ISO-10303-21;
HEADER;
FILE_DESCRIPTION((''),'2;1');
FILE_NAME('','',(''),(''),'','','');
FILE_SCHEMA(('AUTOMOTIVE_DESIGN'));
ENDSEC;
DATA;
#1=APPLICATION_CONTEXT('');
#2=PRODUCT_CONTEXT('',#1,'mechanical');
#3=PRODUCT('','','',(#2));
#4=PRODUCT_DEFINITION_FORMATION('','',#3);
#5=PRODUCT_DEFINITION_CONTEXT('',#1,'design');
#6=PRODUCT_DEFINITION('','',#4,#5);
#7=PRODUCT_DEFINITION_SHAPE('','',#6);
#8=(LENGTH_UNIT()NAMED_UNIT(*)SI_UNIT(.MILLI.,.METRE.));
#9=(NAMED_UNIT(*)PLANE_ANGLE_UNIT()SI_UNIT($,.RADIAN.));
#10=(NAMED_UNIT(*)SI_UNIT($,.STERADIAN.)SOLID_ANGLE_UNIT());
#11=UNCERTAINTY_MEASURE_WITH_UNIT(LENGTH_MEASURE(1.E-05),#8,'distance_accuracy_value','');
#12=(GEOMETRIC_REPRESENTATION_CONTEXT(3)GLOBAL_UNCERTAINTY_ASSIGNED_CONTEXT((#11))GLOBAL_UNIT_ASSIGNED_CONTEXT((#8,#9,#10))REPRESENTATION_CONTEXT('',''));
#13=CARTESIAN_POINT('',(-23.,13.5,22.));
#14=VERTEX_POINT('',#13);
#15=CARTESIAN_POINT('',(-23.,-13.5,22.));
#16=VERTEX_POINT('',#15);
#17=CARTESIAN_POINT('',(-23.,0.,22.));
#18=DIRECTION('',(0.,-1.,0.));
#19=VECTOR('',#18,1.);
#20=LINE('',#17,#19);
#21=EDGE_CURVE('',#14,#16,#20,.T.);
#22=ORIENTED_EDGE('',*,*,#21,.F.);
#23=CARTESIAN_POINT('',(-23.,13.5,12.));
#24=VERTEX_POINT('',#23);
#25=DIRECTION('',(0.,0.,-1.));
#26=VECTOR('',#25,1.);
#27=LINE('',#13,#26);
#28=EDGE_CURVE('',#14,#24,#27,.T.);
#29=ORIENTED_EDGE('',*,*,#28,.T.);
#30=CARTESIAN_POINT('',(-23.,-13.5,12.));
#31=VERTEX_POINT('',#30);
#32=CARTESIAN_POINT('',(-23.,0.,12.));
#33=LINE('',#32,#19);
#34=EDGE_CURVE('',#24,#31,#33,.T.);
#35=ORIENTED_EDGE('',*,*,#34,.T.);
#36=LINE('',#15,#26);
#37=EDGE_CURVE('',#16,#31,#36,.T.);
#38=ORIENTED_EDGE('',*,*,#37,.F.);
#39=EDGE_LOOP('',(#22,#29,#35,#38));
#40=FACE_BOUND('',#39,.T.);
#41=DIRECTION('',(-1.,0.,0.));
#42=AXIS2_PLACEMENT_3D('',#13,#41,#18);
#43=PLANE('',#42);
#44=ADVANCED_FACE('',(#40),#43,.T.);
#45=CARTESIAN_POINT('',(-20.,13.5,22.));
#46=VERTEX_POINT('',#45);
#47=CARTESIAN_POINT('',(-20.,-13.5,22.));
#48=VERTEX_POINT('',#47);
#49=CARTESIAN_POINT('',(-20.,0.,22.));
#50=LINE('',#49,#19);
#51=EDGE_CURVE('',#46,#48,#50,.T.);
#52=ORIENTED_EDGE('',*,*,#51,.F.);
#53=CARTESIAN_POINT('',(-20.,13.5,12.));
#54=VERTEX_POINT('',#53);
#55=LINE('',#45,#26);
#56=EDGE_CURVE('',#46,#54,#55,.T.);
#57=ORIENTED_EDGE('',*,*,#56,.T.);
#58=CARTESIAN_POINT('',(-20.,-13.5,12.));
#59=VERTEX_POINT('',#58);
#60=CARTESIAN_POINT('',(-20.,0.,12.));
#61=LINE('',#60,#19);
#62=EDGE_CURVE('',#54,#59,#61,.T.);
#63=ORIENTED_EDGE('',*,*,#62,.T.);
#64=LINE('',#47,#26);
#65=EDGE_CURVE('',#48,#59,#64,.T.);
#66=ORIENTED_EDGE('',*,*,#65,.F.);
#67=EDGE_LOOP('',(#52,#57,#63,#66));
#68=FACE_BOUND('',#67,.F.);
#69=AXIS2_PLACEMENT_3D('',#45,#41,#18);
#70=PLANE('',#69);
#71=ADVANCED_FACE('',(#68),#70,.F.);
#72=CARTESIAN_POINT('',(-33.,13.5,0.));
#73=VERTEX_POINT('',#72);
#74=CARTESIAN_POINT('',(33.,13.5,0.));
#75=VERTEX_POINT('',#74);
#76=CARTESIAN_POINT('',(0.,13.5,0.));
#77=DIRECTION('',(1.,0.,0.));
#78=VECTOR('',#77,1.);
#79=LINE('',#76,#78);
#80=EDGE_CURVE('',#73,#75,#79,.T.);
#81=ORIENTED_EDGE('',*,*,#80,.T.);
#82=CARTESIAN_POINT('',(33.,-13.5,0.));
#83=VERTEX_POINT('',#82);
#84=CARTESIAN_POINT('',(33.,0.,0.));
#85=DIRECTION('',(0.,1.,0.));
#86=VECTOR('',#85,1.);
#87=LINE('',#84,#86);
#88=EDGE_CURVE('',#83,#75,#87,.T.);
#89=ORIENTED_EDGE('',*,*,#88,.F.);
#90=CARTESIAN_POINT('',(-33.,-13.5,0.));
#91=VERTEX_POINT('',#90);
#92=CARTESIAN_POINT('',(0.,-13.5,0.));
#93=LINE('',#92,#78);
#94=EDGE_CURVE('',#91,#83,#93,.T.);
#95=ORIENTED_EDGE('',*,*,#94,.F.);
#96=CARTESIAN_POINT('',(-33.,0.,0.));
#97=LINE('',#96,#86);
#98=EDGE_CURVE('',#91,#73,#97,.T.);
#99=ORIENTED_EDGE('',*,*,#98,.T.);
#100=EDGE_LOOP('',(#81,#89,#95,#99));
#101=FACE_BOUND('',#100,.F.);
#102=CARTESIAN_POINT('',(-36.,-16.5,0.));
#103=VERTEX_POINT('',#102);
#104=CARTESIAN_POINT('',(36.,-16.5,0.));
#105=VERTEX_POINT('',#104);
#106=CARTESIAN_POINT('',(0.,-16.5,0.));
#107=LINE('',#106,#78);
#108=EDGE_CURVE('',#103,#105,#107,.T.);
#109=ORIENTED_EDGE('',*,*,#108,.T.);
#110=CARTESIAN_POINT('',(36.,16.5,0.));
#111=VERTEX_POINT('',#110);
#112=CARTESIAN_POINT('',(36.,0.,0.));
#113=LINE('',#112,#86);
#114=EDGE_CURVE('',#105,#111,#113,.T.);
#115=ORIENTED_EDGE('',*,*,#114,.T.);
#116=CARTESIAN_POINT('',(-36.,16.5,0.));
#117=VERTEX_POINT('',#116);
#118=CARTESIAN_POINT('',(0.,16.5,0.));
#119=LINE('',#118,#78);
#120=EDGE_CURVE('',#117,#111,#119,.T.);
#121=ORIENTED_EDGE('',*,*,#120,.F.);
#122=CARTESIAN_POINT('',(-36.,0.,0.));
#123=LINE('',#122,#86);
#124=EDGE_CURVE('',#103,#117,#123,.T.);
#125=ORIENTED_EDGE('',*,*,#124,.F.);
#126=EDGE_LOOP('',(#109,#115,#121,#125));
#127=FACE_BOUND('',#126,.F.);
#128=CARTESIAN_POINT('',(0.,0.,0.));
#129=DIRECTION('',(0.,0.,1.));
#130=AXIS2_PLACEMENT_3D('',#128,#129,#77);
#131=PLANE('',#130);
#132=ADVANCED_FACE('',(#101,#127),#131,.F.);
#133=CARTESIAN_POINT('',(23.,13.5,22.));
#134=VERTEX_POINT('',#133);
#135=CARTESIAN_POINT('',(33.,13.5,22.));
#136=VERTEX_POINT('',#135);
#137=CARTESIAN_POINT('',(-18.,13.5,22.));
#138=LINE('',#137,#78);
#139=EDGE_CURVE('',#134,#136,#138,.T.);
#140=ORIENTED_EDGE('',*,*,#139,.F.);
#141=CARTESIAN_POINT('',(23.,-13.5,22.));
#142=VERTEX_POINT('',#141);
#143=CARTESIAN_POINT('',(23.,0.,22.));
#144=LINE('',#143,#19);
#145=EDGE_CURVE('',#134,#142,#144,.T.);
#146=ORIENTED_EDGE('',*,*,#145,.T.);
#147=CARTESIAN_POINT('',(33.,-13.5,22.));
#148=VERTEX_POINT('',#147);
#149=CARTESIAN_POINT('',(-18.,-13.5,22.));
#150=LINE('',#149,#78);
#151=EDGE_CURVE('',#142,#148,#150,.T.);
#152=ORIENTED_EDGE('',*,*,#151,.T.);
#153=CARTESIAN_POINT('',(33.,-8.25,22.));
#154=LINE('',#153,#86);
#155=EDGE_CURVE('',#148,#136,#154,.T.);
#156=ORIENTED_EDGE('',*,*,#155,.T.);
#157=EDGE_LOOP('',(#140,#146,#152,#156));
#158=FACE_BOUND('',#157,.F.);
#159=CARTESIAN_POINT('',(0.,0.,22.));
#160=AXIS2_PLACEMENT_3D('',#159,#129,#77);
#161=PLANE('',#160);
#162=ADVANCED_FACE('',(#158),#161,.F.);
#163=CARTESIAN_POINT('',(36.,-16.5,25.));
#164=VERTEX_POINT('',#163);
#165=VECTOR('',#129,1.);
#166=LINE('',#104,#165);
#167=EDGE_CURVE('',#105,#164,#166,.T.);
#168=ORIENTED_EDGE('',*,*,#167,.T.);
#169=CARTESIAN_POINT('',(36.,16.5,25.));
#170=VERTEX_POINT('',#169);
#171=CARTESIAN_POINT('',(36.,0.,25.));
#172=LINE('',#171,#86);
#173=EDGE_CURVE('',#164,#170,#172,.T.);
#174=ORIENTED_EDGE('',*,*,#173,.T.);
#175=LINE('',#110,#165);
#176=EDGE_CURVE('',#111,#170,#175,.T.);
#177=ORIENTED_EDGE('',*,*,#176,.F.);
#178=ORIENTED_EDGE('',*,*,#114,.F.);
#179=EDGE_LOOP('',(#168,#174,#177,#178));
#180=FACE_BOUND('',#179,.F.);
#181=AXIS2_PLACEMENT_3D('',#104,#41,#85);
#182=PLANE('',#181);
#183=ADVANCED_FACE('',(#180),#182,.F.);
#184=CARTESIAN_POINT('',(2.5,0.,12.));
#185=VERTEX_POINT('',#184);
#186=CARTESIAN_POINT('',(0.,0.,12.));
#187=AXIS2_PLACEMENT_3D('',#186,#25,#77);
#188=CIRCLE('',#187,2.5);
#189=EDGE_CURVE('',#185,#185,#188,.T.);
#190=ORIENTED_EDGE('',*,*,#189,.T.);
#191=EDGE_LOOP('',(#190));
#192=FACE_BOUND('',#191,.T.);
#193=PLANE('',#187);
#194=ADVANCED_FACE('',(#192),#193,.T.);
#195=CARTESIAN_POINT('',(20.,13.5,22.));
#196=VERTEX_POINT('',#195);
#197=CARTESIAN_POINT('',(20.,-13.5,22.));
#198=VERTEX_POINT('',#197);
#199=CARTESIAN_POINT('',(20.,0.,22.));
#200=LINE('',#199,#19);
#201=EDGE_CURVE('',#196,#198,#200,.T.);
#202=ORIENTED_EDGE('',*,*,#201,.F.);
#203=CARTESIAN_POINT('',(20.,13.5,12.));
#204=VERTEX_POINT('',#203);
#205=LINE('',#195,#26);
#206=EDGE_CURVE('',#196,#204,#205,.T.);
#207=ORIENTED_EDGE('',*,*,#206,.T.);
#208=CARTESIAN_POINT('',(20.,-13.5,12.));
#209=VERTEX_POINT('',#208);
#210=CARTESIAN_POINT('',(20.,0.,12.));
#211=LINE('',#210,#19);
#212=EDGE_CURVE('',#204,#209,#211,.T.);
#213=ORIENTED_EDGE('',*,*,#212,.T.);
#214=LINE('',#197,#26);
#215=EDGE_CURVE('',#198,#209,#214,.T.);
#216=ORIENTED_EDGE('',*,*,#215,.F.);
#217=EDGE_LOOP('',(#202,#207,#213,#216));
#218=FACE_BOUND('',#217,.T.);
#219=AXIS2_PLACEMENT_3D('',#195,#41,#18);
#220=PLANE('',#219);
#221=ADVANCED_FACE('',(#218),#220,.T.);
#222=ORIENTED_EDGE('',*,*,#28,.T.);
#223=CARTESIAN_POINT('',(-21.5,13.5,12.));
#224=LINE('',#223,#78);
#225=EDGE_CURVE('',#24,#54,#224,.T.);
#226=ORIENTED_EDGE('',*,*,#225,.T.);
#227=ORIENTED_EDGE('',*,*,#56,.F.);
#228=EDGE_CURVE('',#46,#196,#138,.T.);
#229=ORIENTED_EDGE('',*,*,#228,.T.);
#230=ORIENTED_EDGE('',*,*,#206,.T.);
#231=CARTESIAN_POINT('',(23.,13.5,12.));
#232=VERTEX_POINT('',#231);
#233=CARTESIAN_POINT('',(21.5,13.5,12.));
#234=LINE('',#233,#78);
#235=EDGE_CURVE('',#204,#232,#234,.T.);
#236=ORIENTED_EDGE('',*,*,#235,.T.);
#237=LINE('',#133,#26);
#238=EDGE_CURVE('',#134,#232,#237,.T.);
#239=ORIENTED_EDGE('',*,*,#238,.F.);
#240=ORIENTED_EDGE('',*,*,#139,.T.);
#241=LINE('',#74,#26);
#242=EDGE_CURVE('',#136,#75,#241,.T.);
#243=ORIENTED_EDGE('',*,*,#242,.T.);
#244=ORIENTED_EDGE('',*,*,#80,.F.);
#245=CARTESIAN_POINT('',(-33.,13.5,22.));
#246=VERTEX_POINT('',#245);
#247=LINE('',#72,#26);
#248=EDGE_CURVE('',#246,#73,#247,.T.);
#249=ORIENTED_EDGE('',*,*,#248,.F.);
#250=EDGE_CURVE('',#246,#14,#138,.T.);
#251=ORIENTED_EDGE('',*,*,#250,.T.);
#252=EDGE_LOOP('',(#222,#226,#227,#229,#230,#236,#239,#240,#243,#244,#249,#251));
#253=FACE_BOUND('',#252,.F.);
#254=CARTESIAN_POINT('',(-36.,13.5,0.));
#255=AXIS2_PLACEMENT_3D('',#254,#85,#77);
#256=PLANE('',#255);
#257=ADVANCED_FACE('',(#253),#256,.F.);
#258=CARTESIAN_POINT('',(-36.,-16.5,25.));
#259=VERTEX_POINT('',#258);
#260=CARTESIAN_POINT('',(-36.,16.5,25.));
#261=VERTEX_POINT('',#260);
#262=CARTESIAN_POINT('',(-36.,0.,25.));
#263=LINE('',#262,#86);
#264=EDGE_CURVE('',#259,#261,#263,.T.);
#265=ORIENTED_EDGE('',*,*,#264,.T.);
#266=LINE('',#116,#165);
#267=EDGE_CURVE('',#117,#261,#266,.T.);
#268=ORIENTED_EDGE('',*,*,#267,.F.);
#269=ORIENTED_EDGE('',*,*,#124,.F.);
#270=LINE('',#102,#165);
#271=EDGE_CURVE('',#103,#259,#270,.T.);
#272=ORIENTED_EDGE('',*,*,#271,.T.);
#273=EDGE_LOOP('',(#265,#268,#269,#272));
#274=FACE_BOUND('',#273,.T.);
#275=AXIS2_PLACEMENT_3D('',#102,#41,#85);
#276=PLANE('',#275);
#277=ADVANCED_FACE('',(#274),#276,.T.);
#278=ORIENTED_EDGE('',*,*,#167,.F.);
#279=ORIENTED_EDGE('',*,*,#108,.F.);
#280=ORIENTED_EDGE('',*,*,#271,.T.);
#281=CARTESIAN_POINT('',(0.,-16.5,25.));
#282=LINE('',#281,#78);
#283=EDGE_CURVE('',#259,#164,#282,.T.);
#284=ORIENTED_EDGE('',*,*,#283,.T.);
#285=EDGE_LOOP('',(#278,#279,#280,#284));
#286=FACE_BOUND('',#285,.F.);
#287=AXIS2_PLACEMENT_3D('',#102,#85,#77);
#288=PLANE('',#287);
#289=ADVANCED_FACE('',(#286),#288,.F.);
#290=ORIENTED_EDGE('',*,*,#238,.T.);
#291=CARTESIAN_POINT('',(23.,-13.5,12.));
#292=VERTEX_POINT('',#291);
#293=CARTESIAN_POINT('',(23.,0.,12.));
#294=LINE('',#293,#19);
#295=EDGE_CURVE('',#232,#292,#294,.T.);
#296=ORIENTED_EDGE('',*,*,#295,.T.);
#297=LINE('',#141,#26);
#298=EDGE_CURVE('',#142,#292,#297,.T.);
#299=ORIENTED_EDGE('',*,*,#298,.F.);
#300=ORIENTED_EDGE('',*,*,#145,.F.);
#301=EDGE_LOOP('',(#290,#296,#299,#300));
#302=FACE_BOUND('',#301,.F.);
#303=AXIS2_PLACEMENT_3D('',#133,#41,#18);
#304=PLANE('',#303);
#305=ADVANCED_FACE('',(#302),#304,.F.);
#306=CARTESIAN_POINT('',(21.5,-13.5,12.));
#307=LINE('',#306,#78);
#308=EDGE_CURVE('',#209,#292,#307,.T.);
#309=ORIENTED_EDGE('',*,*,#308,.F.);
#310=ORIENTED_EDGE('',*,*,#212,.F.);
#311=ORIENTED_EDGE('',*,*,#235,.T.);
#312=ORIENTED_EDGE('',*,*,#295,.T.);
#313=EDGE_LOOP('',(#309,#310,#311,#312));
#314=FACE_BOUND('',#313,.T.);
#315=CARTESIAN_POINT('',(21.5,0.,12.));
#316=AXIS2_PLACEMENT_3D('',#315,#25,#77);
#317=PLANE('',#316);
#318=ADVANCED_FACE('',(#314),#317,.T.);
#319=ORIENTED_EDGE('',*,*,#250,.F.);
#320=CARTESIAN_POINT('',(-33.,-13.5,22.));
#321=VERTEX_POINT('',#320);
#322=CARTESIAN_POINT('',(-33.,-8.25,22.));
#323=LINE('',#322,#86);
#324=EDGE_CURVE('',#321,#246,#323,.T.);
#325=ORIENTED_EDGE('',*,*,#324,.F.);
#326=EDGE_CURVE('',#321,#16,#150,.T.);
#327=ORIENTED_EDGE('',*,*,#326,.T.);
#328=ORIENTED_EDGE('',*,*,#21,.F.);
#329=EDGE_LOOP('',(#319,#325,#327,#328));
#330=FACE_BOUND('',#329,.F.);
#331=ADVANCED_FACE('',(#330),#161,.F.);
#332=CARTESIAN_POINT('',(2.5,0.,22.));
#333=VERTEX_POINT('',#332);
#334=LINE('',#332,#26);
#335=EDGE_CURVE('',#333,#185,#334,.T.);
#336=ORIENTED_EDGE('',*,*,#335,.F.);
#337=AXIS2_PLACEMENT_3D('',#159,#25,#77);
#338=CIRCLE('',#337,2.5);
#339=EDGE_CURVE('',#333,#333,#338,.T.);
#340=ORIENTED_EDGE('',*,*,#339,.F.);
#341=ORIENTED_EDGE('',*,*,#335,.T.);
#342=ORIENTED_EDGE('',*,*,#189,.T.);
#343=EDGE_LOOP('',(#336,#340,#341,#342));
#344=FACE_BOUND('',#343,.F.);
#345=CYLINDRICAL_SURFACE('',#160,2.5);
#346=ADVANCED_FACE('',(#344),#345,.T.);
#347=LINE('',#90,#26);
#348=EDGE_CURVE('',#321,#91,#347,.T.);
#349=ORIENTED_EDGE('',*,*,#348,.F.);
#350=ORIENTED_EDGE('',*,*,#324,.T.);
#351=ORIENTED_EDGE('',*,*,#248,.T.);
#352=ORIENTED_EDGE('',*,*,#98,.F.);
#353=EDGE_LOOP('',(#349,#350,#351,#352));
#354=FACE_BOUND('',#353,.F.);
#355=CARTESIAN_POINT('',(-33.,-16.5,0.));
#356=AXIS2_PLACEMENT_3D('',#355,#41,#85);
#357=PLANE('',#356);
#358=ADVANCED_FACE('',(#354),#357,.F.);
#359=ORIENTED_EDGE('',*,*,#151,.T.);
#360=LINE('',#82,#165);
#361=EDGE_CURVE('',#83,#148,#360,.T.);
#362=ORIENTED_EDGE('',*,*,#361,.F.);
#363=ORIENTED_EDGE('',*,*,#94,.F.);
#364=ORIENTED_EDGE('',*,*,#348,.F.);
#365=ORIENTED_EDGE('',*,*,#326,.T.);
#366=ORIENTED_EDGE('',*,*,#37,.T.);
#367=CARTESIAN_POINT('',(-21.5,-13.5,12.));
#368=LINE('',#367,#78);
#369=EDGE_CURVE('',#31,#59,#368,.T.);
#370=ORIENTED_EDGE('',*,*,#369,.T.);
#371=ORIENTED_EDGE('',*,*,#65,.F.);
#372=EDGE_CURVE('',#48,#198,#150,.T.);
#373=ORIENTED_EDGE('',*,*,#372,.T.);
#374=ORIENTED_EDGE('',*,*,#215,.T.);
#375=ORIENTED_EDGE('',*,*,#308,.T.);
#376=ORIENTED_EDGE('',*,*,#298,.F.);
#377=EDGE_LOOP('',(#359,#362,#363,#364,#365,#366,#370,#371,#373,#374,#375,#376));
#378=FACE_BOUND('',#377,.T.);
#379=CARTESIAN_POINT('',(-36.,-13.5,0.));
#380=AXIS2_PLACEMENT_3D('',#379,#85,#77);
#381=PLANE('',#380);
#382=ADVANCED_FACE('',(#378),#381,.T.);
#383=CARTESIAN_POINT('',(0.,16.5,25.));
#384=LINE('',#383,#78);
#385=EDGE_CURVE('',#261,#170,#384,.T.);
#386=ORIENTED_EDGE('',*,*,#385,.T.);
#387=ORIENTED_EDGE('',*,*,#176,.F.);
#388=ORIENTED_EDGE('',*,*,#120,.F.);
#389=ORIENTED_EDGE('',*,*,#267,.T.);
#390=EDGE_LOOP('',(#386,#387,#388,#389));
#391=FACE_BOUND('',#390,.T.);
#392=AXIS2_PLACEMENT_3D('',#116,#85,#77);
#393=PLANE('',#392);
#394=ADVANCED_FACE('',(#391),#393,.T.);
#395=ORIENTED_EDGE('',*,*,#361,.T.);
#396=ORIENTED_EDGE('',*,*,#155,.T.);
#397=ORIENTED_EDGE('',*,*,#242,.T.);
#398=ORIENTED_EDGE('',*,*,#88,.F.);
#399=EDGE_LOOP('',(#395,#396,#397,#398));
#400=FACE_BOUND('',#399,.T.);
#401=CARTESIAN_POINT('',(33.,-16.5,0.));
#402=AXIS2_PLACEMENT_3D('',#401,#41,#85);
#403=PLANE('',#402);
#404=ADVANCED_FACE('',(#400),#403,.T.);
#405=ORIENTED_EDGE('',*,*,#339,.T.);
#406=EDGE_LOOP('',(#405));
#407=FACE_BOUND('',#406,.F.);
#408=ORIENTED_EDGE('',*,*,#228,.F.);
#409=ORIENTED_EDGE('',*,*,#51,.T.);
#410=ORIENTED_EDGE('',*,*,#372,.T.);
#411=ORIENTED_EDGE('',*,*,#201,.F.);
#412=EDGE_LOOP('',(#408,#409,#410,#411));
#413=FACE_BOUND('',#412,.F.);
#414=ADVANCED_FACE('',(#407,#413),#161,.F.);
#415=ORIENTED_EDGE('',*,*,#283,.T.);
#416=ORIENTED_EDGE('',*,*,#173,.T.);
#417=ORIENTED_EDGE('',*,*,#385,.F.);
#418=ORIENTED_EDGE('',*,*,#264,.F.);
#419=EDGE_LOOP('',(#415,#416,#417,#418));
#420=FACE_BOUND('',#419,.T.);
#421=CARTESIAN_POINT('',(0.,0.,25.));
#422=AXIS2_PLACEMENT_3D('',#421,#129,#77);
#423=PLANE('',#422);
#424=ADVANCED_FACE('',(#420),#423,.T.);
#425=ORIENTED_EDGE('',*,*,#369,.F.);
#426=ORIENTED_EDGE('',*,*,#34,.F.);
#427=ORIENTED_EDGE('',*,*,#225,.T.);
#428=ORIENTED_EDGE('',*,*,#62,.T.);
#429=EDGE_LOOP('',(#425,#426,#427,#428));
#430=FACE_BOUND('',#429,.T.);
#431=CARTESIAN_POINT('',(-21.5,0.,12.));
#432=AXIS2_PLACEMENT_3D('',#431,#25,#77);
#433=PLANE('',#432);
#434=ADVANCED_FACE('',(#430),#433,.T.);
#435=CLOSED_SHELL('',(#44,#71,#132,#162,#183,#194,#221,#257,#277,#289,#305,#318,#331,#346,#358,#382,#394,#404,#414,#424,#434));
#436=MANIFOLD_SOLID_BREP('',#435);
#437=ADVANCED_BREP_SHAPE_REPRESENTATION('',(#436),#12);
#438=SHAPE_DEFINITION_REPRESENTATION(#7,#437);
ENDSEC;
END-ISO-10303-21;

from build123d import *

# Parameters (mm, degrees)
F0_W     = 72
F0_H     = 33
F1_DEPTH = 25
F2_T     = -3
F3_R     = 2.5
F3_W     = 3
F3_H     = 27
F4_DEPTH = 10


with BuildPart() as f1:
    # F0 (on Top) → F1 (new body)
    with BuildSketch(Plane.XY):
        Rectangle(F0_W, F0_H)
    extrude(amount=F1_DEPTH)

    # F2
    f2_openings = [f1.faces().sort_by_distance(p)[0] for p in [
        (0, 0, 0),
    ]]
    offset(amount=F2_T, openings=f2_openings)

    # F3 (on face) → F4 (join)
    with BuildSketch(Plane(origin=(0, 0, 22), x_dir=(1, 0, 0), z_dir=(0, 0, -1))):
        Circle(F3_R)
        with Locations((-21.5, 0)):
            Rectangle(F3_W, F3_H)
        with Locations((21.5, 0)):
            Rectangle(F3_W, F3_H)
    extrude(amount=F4_DEPTH)


solid = f1.part
